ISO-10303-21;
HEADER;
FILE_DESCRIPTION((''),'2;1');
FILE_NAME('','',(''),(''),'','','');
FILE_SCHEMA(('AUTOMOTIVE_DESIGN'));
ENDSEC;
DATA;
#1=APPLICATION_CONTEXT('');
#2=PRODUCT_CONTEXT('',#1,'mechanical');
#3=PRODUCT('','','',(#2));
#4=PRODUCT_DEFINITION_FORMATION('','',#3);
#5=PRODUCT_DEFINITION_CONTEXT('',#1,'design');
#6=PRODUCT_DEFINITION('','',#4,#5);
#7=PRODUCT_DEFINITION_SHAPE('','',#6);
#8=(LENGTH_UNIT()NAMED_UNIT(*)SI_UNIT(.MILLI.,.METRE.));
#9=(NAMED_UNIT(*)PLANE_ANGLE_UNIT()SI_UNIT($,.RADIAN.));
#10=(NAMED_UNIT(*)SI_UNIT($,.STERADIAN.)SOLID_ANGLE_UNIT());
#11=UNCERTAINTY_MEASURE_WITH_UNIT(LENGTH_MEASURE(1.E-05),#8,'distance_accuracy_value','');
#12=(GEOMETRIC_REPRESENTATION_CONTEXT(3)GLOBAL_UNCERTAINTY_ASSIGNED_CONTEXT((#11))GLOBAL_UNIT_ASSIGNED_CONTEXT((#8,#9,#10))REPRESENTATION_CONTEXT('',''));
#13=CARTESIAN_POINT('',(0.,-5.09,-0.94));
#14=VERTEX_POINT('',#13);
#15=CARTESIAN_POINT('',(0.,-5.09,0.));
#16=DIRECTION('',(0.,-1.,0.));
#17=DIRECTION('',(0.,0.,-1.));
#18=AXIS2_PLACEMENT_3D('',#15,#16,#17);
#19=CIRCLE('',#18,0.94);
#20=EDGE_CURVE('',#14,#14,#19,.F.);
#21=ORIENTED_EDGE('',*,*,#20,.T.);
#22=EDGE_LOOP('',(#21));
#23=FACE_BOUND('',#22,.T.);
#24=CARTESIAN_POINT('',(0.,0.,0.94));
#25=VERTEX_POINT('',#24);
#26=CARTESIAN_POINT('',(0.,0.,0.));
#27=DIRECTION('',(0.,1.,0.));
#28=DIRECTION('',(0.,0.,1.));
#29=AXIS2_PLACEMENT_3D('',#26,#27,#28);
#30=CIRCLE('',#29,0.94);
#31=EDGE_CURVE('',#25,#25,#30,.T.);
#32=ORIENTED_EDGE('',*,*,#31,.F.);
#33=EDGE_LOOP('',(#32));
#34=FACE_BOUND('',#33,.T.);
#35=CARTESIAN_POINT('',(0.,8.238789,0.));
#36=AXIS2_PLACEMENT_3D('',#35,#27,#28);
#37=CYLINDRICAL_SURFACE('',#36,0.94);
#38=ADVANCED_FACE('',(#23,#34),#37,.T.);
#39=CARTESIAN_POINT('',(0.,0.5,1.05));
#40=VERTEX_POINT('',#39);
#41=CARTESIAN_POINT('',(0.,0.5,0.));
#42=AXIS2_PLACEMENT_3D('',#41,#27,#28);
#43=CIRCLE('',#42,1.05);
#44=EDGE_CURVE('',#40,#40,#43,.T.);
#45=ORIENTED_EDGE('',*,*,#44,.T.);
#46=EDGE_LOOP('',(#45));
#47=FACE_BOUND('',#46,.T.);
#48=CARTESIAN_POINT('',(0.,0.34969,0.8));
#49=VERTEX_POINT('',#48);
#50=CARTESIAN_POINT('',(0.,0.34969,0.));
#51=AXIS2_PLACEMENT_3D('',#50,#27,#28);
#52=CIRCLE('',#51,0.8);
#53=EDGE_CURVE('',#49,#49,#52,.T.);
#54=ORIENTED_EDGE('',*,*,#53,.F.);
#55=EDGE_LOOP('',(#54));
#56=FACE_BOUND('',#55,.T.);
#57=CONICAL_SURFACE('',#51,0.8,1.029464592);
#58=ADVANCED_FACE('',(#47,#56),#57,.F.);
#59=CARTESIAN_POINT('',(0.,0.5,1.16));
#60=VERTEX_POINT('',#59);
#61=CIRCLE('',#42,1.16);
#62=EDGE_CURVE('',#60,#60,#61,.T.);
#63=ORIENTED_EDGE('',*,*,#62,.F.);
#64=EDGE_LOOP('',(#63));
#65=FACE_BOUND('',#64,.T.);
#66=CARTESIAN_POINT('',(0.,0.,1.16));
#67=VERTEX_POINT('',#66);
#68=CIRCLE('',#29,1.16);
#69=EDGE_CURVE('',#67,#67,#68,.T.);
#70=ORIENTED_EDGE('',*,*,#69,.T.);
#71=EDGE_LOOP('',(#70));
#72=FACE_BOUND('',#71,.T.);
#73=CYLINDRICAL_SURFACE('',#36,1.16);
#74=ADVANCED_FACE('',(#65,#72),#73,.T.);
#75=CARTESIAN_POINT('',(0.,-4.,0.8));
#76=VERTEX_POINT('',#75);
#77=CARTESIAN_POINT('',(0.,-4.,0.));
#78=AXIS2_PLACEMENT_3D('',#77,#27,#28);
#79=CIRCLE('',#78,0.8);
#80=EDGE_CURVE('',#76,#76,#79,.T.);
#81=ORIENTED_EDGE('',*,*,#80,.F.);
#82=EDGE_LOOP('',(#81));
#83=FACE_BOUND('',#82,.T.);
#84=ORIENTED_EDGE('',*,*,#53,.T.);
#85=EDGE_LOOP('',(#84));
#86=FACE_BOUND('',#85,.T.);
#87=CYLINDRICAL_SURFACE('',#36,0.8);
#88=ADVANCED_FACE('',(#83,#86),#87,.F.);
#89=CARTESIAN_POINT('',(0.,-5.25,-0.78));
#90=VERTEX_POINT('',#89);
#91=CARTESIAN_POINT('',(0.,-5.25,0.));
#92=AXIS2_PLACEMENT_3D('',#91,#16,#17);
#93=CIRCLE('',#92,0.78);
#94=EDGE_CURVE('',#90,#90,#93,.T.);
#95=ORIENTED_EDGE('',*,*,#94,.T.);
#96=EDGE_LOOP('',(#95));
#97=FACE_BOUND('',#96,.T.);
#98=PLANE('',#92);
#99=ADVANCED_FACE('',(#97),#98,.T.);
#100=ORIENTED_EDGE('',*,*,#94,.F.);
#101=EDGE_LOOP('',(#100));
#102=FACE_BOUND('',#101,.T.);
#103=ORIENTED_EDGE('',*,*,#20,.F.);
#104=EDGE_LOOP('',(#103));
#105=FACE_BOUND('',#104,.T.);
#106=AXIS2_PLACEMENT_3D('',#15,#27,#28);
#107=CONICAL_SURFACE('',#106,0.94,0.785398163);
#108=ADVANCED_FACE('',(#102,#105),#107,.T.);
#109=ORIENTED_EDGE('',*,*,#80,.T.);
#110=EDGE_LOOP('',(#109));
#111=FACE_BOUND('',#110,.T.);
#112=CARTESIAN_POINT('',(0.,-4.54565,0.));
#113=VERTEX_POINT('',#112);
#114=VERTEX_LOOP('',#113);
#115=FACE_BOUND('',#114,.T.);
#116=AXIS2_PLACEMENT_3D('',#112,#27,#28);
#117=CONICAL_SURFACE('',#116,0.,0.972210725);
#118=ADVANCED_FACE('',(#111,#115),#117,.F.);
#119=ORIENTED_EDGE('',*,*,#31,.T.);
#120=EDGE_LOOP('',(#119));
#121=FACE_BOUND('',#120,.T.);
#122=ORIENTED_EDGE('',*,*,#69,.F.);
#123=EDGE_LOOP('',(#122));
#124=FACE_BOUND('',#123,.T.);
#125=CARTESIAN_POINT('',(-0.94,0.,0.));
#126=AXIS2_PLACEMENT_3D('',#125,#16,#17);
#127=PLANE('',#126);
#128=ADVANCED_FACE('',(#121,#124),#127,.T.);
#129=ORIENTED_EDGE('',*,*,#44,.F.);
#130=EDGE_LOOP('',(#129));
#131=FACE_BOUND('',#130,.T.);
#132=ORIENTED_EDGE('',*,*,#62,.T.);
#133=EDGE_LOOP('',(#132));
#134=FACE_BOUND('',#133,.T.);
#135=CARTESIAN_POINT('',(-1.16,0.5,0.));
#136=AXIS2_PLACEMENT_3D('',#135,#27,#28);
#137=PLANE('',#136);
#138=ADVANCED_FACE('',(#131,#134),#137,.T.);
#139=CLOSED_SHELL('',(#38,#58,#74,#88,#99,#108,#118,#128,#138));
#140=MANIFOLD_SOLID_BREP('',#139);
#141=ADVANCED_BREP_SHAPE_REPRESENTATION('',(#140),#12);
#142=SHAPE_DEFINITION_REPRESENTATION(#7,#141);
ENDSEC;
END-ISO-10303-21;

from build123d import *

# Parameters (mm, degrees)
CHAMFER_1_SIZE = 0.16


with BuildPart() as part:
    # 草图1 → 旋转1 (revolve)
    with BuildSketch(Plane.XY, mode=Mode.PRIVATE) as revolve_1_sk:
        Polygon((0, -5.25), (-0.94, -5.25), (-0.94, 0), (-1.16, 0), (-1.16, 0.5), (-1.05, 0.5), (-0.8, 0.34968967), (-0.8, -4), (0, -4.545649933), align=None)
    revolve(revolve_1_sk.sketch.rotate(Axis((0, 8.238789055, 0), (0, -1, 0)), 270), axis=Axis((0, 8.238789055, 0), (0, -1, 0)))

    # 倒角1
    chamfer_1_edges = [part.edges().sort_by_distance(p)[0] for p in [
        (0, -5.25, -0.94),
    ]]
    chamfer(chamfer_1_edges, length=CHAMFER_1_SIZE)


solid = part.part
